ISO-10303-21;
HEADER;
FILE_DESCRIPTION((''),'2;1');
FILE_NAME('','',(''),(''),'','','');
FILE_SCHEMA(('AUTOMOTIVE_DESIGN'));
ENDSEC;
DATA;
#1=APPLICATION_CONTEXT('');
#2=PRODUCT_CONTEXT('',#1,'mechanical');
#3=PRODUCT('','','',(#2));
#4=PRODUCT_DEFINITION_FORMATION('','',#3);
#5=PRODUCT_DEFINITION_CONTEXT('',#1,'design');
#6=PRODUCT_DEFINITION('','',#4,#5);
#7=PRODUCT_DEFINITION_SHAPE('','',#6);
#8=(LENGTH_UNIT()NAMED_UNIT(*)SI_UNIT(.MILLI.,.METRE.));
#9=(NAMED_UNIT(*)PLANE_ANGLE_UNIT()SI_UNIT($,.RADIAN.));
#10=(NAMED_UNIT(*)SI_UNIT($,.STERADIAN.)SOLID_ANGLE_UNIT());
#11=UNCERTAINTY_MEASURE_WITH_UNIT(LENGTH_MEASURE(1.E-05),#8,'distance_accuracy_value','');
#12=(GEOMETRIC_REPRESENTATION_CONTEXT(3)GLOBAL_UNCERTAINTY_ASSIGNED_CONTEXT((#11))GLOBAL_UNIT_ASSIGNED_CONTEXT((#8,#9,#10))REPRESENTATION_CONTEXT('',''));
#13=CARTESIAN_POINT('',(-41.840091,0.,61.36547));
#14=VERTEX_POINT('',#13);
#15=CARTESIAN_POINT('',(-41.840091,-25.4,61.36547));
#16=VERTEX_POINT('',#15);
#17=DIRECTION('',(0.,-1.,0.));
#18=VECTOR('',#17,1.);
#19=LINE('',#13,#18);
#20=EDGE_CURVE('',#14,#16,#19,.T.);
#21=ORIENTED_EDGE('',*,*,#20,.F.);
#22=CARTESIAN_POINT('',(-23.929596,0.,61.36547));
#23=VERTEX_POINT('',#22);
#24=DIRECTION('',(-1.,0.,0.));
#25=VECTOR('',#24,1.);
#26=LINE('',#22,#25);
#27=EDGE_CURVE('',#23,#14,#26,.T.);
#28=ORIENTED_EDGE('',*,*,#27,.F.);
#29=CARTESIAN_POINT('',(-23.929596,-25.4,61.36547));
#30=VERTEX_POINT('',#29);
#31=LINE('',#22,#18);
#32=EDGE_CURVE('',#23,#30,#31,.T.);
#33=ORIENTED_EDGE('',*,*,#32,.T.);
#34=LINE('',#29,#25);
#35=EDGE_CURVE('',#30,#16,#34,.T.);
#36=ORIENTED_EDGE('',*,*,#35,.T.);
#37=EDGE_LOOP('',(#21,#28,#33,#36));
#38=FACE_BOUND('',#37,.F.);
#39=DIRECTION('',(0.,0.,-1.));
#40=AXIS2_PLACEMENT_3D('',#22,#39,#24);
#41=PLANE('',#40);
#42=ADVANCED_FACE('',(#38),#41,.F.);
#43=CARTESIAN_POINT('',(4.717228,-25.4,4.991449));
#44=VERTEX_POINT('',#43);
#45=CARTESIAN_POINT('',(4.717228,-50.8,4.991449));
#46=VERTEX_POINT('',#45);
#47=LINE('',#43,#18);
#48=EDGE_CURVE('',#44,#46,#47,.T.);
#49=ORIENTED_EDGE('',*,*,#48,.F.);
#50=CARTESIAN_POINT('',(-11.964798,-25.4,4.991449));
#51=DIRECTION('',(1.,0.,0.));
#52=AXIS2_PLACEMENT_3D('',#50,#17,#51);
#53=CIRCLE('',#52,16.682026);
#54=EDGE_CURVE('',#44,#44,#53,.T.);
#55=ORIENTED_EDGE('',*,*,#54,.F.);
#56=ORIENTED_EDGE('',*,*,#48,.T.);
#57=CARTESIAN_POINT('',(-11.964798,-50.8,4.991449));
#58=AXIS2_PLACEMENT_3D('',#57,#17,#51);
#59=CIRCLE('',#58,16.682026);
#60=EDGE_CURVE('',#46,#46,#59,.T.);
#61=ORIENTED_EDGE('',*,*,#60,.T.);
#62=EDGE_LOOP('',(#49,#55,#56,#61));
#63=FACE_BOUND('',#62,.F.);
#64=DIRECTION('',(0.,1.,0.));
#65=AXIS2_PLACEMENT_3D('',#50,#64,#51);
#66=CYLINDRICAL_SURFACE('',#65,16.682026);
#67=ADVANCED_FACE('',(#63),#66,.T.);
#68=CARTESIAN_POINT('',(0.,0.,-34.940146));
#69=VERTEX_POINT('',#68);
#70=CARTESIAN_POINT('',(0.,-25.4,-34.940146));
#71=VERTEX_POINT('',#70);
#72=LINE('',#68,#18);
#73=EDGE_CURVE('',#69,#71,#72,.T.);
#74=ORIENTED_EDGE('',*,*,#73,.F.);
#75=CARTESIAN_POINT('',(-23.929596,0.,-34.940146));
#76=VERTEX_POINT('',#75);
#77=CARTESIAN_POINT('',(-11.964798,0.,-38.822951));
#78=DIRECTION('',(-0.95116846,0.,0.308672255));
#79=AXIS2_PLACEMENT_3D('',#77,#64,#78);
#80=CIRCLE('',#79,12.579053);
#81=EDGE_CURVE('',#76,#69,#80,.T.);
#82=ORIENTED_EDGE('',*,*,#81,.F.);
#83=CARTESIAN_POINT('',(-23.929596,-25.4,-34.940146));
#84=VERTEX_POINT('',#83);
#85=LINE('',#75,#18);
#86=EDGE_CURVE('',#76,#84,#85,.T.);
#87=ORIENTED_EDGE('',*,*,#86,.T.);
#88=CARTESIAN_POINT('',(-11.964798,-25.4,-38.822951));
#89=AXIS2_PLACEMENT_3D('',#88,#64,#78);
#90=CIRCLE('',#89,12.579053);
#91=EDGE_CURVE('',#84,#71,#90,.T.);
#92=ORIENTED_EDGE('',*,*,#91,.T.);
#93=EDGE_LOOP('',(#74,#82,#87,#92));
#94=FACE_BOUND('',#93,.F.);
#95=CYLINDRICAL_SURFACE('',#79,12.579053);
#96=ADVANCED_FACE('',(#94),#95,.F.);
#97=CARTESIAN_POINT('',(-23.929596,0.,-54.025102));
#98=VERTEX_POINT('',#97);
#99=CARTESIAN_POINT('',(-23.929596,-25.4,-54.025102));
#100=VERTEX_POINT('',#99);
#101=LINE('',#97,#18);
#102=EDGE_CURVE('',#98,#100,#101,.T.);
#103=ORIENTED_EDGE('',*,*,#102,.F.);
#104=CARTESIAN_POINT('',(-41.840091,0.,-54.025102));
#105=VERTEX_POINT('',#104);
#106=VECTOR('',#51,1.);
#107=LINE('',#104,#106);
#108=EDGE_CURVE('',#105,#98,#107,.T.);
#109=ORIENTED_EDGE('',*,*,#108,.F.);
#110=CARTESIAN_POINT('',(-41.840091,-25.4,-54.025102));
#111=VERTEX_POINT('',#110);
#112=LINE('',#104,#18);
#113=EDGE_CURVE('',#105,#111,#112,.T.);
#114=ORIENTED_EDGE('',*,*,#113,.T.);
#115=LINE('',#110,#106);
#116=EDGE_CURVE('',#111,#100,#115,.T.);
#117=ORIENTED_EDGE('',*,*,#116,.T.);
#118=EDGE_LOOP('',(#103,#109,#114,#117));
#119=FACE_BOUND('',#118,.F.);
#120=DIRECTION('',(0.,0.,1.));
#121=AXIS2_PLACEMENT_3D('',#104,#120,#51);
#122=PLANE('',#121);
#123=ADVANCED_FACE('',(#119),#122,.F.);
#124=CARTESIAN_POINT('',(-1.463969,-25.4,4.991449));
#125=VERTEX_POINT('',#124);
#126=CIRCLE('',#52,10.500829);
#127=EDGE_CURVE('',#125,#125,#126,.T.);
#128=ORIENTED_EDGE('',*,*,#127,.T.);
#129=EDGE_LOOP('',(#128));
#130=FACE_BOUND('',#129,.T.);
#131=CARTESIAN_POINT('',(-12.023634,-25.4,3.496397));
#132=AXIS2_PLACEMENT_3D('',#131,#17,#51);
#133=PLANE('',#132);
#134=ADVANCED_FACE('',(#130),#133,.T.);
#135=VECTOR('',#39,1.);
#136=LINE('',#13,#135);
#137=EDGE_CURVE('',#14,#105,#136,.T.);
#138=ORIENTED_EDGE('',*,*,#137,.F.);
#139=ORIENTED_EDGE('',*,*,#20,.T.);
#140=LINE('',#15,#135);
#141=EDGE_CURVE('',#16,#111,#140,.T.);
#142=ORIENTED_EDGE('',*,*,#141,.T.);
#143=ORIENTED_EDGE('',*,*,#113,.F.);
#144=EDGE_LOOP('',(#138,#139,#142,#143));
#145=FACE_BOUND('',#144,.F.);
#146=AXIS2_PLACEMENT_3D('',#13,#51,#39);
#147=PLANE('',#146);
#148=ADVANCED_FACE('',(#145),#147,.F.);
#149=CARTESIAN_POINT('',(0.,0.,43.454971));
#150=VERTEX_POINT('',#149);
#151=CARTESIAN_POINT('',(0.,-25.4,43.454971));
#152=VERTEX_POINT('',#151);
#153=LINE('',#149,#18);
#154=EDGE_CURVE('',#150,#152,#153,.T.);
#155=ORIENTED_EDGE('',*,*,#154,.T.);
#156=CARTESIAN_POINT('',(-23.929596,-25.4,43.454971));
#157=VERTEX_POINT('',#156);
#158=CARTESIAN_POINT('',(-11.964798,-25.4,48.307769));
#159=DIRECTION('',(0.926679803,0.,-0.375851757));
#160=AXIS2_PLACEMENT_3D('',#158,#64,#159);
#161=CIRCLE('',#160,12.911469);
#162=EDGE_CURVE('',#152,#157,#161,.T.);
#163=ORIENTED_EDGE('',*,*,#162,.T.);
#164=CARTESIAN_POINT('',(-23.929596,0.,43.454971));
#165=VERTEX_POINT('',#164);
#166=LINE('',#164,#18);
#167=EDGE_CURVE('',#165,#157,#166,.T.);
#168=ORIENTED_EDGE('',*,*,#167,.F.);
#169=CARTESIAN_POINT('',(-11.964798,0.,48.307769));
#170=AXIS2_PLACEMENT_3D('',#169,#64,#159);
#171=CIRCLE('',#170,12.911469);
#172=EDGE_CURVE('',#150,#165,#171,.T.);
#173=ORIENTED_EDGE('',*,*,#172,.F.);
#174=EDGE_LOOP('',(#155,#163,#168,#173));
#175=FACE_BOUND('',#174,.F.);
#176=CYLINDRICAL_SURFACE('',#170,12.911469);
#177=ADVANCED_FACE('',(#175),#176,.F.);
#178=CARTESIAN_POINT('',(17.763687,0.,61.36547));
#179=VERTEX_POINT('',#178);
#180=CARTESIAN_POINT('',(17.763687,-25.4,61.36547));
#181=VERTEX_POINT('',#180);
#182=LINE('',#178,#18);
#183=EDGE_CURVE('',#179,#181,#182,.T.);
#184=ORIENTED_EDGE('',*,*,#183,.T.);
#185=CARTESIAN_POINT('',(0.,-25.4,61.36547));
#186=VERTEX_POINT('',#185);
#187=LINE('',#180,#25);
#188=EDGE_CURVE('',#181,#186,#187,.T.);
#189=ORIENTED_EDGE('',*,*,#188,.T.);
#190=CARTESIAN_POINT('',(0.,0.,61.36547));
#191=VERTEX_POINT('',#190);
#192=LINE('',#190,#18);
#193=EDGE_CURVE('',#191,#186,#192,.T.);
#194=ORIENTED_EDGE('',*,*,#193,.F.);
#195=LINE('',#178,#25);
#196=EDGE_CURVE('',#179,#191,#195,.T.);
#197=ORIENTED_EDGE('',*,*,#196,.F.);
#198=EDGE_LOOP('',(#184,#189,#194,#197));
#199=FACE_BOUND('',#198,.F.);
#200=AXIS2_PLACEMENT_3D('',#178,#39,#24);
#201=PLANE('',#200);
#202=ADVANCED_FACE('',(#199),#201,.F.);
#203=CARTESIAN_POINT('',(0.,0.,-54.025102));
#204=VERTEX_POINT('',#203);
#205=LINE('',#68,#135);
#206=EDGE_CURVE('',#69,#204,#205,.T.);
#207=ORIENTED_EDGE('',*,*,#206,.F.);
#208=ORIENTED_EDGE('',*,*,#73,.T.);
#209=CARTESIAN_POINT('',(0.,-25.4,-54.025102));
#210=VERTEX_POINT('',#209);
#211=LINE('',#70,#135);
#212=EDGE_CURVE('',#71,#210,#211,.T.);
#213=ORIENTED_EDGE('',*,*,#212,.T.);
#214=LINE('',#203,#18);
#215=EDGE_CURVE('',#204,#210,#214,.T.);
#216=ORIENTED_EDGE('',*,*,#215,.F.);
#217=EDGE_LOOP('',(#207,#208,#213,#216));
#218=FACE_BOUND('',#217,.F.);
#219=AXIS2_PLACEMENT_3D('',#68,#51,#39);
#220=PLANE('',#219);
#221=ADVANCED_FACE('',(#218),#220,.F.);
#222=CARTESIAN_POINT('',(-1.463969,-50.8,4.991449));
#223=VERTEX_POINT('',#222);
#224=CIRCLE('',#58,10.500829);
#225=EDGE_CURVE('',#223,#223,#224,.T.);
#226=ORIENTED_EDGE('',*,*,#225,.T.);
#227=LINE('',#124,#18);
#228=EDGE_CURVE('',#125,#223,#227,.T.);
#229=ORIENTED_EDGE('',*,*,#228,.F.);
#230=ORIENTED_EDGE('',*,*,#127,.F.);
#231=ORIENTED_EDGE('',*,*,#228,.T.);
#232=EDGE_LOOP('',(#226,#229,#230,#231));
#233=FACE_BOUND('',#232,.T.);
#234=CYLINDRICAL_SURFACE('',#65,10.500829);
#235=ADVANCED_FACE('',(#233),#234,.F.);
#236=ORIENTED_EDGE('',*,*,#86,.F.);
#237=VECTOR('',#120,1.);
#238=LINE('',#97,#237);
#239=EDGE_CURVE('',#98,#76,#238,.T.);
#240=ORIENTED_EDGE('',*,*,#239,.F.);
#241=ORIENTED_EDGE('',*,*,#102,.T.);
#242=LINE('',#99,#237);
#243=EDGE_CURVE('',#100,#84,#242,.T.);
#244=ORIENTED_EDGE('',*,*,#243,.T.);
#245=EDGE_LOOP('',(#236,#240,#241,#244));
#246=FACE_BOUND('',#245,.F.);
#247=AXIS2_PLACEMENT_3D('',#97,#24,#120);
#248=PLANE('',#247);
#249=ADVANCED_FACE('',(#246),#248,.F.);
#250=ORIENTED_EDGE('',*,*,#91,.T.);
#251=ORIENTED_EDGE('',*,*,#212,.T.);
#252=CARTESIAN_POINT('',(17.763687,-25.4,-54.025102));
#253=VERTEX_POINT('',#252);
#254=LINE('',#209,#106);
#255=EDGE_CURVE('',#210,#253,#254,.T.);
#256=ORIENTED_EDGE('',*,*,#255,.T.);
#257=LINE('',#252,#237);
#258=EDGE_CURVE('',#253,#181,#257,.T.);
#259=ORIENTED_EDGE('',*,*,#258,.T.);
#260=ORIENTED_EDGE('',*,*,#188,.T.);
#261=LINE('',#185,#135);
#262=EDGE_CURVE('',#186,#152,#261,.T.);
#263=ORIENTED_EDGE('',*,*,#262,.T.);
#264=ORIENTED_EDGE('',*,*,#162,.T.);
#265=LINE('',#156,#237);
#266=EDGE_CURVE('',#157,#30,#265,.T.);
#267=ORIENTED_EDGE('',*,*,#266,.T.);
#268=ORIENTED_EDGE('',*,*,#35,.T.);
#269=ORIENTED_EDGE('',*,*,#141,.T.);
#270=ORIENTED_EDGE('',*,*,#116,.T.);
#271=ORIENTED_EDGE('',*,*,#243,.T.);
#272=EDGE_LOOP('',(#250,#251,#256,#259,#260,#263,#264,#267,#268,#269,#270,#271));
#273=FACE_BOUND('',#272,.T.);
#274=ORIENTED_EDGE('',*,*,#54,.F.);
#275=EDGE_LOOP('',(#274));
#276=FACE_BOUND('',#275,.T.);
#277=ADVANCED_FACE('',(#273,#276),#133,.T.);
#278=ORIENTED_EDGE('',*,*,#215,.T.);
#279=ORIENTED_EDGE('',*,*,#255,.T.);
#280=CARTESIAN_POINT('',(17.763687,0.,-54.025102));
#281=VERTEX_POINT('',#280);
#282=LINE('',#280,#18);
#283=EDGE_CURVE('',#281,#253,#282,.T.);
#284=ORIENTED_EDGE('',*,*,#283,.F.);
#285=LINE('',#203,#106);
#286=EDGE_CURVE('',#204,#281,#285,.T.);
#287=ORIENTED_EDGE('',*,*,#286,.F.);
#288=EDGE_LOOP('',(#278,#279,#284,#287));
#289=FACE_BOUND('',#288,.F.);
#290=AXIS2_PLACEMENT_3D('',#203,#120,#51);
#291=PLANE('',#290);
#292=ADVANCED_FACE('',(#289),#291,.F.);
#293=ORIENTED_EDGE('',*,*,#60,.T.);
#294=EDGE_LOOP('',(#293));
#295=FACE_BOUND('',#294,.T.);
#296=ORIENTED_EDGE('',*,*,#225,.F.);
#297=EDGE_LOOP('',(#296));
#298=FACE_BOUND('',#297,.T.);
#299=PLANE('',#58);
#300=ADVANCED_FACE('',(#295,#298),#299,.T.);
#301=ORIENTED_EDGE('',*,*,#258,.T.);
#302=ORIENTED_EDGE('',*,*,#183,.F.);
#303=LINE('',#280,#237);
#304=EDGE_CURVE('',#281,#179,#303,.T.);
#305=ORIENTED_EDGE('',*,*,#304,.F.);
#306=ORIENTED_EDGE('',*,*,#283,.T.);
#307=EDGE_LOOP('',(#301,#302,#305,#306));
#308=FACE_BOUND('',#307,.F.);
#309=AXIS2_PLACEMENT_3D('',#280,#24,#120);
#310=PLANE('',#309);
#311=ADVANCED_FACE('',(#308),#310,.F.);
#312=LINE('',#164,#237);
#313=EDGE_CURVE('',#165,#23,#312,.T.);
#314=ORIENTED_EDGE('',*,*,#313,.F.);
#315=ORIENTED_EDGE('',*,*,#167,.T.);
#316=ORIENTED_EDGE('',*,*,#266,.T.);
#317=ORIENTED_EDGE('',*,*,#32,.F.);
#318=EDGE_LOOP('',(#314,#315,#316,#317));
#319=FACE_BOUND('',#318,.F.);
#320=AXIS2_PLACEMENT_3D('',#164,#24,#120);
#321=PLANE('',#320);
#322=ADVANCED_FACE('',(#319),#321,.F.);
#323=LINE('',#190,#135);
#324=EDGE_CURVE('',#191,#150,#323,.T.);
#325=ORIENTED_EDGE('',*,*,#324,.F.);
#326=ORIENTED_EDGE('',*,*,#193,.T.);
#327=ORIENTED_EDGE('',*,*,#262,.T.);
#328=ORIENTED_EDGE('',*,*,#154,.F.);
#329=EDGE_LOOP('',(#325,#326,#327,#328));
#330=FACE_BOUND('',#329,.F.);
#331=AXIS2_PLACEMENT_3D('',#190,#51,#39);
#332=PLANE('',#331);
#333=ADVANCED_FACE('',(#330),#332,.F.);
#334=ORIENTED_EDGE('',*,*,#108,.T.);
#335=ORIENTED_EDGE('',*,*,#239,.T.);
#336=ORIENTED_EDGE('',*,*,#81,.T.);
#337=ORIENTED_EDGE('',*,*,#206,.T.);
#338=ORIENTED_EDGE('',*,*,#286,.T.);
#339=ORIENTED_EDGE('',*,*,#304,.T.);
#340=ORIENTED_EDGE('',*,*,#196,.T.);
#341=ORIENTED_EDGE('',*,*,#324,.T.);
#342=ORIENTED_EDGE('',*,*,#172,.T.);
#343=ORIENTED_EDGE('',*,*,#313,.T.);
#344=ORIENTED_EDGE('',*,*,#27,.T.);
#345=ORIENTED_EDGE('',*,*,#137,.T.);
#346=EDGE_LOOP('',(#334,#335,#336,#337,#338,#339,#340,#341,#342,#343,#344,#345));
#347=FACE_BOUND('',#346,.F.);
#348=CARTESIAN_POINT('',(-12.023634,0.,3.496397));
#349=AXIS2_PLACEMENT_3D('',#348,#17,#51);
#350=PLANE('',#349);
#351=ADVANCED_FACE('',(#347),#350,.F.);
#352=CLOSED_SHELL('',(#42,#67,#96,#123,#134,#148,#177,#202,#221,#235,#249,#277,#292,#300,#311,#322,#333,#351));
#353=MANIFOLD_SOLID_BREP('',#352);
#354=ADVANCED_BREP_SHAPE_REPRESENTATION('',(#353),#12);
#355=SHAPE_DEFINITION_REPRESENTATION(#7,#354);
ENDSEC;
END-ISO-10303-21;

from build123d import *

# Parameters (mm, degrees)
F1_DEPTH = 25.4
F2_R     = 16.682026
F2_R_2   = 10.500829
F3_DEPTH = 25.4


with BuildPart() as f1:
    # F0 (on Front) → F1 (new body)
    with BuildSketch(Plane.XZ):
        with BuildLine():
            Line((-23.929596, 61.36547), (-41.840091, 61.36547))
            Line((-41.840091, 61.36547), (-41.840091, -54.025102))
            Line((-41.840091, -54.025102), (-23.929596, -54.025102))
            Line((-23.929596, -54.025102), (-23.929596, -34.940146))
            ThreePointArc((-23.929596, -34.940146), (-11.964798, -26.243898), (0, -34.940146))
            Line((0, -34.940146), (0, -54.025102))
            Line((0, -54.025102), (17.763687, -54.025102))
            Line((17.763687, -54.025102), (17.763687, 61.36547))
            Line((17.763687, 61.36547), (0, 61.36547))
            Line((0, 61.36547), (0, 43.454971))
            ThreePointArc((0, 43.454971), (-11.964798, 35.3963), (-23.929596, 43.454971))
            Line((-23.929596, 43.454971), (-23.929596, 61.36547))
        make_face()
    extrude(amount=F1_DEPTH)

    # F2 (on face) → F3 (join)
    with BuildSketch(Plane.XZ.offset(25.4)):
        with Locations((-11.964798, 4.991449)):
            Circle(F2_R)
        with Locations((-11.964798, 4.991449)):
            Circle(F2_R_2, mode=Mode.SUBTRACT)
    extrude(amount=F3_DEPTH)


solid = f1.part
